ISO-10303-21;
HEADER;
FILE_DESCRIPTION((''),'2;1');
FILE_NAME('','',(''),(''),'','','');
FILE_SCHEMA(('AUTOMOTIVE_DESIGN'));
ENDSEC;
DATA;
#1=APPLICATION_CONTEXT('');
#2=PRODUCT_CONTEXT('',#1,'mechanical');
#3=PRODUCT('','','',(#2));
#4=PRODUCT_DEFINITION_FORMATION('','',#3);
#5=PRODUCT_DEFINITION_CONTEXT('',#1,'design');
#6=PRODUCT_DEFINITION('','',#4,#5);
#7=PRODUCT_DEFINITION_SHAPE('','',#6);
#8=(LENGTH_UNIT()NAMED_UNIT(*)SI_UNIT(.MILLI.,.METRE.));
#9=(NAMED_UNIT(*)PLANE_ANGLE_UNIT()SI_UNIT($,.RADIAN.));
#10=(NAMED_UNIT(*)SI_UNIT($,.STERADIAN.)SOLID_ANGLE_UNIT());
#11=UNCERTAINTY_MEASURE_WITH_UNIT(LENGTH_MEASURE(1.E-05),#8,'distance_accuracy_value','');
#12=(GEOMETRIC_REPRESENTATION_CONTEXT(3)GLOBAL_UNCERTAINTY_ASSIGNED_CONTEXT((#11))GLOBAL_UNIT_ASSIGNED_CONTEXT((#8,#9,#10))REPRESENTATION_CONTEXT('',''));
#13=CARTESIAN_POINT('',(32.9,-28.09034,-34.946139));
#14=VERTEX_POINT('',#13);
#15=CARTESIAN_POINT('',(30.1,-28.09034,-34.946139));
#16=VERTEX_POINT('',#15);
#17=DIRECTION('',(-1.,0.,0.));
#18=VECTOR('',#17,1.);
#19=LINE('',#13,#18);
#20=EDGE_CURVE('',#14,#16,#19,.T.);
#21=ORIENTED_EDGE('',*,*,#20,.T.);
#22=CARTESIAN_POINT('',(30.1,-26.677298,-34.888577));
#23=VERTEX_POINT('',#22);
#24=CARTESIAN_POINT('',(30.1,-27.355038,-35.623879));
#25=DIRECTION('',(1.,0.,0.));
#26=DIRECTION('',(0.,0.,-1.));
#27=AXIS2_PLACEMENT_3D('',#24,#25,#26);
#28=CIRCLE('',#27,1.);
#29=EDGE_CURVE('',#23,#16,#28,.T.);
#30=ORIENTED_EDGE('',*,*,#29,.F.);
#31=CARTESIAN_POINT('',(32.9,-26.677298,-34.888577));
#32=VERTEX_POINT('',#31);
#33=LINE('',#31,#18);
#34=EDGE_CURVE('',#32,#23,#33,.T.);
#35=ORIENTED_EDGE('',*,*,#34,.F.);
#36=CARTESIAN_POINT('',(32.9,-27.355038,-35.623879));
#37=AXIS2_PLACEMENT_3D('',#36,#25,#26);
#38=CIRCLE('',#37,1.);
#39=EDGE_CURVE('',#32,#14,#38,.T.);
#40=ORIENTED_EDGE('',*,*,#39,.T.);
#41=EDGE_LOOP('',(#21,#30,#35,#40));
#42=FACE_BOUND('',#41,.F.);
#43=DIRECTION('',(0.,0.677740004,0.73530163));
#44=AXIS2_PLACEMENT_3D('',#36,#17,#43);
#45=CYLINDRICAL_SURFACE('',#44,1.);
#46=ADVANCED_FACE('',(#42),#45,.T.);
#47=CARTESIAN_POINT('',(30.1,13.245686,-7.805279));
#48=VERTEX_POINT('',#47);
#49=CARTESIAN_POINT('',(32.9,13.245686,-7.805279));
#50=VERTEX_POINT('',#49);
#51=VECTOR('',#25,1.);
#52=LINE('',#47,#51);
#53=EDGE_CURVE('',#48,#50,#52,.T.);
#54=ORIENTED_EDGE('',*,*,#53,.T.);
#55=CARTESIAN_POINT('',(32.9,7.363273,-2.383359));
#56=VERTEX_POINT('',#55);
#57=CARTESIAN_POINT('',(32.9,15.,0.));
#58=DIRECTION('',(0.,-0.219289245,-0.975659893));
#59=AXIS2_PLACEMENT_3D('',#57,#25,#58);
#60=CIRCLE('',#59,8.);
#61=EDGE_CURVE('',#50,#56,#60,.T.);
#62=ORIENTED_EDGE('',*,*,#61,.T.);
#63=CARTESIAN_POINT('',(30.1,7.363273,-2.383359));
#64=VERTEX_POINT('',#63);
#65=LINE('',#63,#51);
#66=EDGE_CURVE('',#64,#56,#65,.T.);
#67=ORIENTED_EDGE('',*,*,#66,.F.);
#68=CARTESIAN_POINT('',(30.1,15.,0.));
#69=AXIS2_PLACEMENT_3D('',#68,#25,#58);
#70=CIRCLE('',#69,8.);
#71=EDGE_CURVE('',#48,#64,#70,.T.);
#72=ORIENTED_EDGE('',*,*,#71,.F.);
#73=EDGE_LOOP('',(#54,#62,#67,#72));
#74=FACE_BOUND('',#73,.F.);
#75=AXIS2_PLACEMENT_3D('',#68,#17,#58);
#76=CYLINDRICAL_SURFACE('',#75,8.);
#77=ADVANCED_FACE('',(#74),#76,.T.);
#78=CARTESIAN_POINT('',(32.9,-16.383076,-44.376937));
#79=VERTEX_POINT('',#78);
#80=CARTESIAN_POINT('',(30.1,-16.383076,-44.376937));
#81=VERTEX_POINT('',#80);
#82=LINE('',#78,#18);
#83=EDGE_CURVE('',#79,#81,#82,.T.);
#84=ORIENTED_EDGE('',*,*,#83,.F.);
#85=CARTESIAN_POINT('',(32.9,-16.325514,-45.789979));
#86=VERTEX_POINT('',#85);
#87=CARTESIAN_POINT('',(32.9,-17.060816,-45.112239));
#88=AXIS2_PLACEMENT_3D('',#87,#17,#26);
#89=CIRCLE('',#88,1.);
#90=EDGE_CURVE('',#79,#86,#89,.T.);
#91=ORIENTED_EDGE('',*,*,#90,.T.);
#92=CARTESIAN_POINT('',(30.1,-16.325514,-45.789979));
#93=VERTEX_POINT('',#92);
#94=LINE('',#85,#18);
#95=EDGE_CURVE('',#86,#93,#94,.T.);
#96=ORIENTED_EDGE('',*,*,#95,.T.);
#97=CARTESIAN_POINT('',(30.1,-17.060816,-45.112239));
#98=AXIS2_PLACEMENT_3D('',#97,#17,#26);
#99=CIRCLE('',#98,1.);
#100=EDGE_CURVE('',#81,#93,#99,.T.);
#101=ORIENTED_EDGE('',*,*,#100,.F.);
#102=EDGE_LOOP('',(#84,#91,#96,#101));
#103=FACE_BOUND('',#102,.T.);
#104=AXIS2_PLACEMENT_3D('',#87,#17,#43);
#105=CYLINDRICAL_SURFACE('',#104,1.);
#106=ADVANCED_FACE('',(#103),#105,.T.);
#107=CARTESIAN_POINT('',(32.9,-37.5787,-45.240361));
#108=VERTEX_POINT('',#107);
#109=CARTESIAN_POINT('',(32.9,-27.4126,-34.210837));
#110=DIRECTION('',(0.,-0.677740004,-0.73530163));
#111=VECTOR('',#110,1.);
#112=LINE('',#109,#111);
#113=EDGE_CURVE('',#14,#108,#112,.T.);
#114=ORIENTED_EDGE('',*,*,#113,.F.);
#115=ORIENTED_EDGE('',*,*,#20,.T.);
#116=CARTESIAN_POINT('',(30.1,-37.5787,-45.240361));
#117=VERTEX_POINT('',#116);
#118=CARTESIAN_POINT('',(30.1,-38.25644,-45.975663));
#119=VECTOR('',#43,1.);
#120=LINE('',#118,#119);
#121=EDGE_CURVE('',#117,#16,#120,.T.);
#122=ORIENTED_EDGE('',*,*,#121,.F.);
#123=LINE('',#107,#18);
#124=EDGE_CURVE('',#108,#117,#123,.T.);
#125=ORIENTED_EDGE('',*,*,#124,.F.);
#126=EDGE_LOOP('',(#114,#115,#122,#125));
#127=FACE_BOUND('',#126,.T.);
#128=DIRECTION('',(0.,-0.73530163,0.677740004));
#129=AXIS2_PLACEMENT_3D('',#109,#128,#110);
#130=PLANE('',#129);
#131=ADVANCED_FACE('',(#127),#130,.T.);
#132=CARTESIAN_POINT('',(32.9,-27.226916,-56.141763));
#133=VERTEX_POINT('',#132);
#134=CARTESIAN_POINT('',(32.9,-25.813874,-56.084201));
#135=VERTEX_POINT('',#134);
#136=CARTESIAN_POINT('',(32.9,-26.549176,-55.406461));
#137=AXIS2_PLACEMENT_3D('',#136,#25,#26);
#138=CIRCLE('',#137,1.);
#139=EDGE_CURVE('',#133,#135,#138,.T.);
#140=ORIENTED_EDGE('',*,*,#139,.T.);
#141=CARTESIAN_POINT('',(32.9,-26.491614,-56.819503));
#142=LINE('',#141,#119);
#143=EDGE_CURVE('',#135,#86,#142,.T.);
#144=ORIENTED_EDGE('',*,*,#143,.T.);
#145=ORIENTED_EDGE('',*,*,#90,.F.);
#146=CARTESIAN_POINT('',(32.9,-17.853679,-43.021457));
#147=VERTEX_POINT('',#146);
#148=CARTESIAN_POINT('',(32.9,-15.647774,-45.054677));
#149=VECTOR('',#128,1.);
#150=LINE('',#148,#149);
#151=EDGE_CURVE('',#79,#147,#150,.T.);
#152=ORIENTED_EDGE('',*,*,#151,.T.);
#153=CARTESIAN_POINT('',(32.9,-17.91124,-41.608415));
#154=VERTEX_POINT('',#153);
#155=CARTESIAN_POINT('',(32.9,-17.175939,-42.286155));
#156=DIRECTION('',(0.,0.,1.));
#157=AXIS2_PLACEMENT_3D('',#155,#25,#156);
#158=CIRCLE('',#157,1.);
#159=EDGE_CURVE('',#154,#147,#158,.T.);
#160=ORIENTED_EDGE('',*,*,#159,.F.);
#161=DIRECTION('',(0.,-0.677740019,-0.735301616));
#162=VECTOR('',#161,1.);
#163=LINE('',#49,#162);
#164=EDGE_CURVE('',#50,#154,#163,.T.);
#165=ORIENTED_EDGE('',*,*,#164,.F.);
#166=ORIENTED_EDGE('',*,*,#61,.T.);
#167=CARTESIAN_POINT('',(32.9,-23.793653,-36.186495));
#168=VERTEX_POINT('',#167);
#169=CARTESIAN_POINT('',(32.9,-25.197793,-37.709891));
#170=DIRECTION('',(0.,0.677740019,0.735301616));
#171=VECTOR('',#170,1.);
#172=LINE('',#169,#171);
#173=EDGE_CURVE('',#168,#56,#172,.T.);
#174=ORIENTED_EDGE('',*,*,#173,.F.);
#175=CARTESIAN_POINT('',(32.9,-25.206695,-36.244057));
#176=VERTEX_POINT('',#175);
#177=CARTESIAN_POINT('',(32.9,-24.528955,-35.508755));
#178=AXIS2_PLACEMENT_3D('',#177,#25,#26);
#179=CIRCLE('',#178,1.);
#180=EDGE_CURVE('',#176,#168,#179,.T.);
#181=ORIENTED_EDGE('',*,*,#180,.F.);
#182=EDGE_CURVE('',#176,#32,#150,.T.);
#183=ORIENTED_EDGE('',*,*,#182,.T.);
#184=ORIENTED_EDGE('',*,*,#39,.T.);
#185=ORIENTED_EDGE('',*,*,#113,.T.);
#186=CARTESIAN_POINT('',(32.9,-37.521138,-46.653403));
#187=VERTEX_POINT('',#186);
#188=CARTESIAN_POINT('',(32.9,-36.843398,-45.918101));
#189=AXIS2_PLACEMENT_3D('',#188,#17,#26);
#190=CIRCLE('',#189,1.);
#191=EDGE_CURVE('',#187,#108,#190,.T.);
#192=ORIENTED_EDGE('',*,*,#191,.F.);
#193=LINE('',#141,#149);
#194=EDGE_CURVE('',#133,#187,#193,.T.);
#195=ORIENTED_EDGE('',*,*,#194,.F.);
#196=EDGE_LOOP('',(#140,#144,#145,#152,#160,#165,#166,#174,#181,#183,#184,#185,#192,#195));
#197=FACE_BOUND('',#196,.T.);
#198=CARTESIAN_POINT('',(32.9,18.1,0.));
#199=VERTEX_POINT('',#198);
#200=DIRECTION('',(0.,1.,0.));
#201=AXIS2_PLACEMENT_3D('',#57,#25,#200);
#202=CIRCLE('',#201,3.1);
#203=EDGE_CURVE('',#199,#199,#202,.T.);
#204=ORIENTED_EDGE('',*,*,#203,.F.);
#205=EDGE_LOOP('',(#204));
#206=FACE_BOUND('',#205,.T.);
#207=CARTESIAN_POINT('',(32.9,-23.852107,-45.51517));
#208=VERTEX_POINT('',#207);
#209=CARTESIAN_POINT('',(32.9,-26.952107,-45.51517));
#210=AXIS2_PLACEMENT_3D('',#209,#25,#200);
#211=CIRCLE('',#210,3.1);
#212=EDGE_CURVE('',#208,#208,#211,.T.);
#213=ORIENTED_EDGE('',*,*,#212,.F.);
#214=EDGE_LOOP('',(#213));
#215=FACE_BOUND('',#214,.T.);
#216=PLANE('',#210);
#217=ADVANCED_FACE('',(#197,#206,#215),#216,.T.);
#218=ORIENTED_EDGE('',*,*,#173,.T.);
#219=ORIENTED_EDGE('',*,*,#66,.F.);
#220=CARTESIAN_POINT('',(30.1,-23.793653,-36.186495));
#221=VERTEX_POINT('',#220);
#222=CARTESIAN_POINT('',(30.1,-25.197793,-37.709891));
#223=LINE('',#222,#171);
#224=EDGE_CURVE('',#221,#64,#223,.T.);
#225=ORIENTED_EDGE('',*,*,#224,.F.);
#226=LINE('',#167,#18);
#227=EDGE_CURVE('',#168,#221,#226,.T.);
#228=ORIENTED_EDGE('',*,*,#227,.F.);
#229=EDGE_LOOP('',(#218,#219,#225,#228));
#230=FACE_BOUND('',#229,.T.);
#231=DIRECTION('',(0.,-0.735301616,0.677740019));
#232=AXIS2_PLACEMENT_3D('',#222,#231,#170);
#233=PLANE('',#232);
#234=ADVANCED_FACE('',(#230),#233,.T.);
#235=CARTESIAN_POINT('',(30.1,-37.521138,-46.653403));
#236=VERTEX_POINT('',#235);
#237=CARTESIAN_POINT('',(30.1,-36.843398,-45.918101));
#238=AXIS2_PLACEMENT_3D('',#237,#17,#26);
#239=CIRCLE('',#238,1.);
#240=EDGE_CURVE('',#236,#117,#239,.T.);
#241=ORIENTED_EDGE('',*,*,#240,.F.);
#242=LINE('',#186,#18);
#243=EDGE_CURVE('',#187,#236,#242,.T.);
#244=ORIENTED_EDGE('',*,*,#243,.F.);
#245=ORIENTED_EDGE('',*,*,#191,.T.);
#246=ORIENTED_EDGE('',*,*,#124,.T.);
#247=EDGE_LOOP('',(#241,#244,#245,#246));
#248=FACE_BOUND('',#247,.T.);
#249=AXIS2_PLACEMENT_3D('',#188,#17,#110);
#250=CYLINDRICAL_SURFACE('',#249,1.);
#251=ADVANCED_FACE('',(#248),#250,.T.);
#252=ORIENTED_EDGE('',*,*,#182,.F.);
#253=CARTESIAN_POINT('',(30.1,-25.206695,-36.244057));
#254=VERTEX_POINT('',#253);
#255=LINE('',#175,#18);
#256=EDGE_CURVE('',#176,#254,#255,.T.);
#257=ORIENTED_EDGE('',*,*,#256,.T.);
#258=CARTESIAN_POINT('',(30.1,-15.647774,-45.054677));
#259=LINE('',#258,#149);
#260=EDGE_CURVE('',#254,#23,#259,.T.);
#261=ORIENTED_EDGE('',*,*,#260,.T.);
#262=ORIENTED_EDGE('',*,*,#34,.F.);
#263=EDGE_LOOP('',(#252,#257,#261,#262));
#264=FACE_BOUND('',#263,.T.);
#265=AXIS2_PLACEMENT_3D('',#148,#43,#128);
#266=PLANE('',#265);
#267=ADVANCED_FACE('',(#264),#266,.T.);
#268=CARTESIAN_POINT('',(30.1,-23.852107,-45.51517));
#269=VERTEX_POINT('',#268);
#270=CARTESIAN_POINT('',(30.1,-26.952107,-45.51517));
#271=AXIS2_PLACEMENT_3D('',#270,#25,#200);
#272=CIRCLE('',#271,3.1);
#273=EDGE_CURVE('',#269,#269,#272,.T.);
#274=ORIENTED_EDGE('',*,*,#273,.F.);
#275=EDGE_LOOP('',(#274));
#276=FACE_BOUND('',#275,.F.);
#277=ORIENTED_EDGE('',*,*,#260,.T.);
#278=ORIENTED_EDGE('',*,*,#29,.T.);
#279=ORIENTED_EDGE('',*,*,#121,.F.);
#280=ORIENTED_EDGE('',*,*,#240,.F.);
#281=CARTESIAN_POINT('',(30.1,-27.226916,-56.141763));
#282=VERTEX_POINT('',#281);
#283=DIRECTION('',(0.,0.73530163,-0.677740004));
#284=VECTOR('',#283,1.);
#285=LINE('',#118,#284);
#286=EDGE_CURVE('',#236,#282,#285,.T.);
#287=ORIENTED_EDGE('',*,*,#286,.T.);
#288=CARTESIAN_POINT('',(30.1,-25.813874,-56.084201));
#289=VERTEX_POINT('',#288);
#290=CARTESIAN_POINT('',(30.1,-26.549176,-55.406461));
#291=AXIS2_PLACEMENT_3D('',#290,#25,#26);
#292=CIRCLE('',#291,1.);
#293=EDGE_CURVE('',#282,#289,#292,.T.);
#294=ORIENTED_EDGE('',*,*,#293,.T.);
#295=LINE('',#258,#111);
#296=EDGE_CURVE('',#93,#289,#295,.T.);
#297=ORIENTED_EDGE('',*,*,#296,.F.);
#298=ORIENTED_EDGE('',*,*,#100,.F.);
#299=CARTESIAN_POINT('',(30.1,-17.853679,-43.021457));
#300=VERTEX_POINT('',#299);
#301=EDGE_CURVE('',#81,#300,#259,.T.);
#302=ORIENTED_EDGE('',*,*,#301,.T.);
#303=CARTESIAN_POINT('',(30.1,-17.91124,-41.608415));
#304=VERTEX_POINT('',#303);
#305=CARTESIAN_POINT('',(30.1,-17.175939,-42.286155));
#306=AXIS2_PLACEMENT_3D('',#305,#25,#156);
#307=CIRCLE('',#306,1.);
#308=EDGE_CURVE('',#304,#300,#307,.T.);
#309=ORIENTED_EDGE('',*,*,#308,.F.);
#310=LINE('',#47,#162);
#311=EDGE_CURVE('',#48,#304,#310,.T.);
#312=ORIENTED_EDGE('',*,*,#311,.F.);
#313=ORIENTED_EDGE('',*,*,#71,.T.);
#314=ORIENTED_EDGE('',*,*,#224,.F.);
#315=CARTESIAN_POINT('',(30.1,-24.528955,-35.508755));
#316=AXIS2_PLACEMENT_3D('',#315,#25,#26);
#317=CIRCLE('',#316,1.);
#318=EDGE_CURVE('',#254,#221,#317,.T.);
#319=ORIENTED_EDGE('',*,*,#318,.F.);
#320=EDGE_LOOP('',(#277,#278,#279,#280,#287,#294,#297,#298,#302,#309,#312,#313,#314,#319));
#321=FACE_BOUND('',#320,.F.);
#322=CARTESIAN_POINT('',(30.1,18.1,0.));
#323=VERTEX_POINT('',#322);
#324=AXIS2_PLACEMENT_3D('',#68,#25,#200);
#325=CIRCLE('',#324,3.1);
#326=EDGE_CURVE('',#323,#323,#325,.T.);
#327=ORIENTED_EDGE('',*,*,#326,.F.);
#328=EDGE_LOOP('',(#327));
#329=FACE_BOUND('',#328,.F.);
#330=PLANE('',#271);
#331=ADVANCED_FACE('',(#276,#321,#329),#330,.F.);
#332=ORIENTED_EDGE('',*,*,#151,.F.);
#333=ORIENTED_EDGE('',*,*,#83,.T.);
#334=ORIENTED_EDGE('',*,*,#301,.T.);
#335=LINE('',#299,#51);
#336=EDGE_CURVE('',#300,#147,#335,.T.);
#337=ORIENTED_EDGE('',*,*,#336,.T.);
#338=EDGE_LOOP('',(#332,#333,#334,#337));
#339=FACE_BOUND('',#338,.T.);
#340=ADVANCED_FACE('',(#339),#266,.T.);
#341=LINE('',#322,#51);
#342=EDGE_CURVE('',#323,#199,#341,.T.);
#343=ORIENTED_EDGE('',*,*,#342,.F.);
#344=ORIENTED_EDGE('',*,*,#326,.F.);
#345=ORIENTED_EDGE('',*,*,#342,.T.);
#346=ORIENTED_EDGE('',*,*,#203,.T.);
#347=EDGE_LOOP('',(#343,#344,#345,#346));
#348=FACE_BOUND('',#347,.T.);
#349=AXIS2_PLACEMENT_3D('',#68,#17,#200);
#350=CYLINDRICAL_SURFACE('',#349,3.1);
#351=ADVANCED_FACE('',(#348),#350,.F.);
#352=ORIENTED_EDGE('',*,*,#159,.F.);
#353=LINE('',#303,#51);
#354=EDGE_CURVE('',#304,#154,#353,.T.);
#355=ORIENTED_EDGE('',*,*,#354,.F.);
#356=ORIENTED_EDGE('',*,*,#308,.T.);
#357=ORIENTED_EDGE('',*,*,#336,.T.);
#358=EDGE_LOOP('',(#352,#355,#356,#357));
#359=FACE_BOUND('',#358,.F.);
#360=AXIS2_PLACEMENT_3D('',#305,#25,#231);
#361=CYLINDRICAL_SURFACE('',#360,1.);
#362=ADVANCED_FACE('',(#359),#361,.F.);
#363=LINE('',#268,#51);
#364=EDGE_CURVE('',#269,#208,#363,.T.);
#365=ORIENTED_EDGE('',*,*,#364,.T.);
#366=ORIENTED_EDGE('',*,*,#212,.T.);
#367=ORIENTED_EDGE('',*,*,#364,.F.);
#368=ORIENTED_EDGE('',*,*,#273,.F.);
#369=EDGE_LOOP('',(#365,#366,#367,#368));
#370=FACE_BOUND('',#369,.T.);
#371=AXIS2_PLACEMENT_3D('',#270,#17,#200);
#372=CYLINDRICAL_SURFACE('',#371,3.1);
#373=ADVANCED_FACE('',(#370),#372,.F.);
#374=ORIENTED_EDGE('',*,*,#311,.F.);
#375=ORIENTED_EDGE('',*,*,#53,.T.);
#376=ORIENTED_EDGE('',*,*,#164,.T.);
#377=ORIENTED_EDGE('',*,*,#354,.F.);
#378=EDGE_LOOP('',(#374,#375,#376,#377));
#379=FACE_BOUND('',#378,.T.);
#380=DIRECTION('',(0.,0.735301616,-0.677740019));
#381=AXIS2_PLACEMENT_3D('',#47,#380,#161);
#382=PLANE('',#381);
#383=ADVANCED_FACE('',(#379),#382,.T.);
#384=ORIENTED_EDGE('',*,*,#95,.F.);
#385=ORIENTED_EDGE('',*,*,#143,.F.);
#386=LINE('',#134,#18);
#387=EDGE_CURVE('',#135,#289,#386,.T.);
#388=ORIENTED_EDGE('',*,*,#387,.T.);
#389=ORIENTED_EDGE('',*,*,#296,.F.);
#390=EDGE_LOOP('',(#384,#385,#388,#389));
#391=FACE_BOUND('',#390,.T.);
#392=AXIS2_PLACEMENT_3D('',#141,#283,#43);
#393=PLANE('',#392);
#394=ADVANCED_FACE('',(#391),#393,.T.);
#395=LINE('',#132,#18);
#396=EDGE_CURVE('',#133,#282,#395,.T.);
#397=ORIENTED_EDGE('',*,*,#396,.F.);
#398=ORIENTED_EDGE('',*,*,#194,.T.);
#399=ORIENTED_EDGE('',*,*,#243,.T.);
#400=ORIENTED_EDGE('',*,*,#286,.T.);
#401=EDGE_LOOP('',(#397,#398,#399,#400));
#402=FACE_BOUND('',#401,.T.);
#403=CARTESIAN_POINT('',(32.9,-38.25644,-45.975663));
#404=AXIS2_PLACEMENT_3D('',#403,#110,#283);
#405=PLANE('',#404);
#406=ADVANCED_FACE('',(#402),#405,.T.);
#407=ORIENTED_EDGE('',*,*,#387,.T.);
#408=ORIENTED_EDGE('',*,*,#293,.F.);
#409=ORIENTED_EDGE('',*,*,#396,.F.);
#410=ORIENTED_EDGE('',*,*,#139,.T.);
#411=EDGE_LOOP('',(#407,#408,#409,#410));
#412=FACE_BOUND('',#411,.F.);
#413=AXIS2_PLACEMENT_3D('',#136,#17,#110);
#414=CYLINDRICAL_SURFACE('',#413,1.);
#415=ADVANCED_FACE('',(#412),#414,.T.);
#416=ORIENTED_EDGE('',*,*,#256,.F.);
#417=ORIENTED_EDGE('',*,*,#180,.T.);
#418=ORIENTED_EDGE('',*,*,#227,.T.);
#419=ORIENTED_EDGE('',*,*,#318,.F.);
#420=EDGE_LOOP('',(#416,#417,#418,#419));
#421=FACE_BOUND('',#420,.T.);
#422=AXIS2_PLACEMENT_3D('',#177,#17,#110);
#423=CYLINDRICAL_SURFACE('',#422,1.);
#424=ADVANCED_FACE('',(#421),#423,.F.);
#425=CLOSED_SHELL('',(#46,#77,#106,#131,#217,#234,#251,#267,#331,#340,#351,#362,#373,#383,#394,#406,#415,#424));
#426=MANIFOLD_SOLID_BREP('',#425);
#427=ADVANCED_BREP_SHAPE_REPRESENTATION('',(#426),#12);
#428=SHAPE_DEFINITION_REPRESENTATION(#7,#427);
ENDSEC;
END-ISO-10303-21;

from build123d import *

# Parameters (mm, degrees)
SKETCH047_R  = 3.1
PAD039_DEPTH = 2.8
SKETCH048_R  = 3.1
PAD040_DEPTH = 2.8
FILLET_R     = 1


with BuildPart() as part:
    # Sketch047 (on DatumPlane) → Pad039 (new body)
    with BuildSketch(Plane.YZ.offset(30.1)):
        with BuildLine():
            ThreePointArc((-25.197793, -37.709891), (-32.374027, -51.397583), (-19.31538, -43.131811))
            Line((13.245686, -7.805279), (-19.31538, -43.131811))
            ThreePointArc((13.245686, -7.805279), (20.42192, 5.882413), (7.363273, -2.383359))
            Line((-25.197793, -37.709891), (7.363273, -2.383359))
        make_face()
        with Locations((-26.952107, -45.51517)):
            Circle(SKETCH047_R, mode=Mode.SUBTRACT)
        with Locations((15, 0)):
            Circle(SKETCH047_R, mode=Mode.SUBTRACT)
    extrude(amount=PAD039_DEPTH)

    # Sketch048 (on Face8 of Pad039) → Pad040 (join)
    with BuildSketch(Plane.YZ.offset(32.9)):
        Polygon((-38.25644, -45.975663), (-26.491614, -56.819503), (-15.647774, -45.054677), (-27.4126, -34.210837), align=None)
        with Locations((-26.952107, -45.51517)):
            Circle(SKETCH048_R, mode=Mode.SUBTRACT)
    extrude(amount=-PAD040_DEPTH)

    # Fillet
    fillet_edges = [part.edges().sort_by_distance(p)[0] for p in [
        (31.5, -27.4126, -34.210837),
        (31.5, -38.25644, -45.975663),
        (31.5, -26.491614, -56.819503),
        (31.5, -15.647774, -45.054677),
        (31.5, -18.588981, -42.343717),
        (31.5, -24.471393, -36.921797),
    ]]
    fillet(fillet_edges, radius=FILLET_R)


solid = part.part
